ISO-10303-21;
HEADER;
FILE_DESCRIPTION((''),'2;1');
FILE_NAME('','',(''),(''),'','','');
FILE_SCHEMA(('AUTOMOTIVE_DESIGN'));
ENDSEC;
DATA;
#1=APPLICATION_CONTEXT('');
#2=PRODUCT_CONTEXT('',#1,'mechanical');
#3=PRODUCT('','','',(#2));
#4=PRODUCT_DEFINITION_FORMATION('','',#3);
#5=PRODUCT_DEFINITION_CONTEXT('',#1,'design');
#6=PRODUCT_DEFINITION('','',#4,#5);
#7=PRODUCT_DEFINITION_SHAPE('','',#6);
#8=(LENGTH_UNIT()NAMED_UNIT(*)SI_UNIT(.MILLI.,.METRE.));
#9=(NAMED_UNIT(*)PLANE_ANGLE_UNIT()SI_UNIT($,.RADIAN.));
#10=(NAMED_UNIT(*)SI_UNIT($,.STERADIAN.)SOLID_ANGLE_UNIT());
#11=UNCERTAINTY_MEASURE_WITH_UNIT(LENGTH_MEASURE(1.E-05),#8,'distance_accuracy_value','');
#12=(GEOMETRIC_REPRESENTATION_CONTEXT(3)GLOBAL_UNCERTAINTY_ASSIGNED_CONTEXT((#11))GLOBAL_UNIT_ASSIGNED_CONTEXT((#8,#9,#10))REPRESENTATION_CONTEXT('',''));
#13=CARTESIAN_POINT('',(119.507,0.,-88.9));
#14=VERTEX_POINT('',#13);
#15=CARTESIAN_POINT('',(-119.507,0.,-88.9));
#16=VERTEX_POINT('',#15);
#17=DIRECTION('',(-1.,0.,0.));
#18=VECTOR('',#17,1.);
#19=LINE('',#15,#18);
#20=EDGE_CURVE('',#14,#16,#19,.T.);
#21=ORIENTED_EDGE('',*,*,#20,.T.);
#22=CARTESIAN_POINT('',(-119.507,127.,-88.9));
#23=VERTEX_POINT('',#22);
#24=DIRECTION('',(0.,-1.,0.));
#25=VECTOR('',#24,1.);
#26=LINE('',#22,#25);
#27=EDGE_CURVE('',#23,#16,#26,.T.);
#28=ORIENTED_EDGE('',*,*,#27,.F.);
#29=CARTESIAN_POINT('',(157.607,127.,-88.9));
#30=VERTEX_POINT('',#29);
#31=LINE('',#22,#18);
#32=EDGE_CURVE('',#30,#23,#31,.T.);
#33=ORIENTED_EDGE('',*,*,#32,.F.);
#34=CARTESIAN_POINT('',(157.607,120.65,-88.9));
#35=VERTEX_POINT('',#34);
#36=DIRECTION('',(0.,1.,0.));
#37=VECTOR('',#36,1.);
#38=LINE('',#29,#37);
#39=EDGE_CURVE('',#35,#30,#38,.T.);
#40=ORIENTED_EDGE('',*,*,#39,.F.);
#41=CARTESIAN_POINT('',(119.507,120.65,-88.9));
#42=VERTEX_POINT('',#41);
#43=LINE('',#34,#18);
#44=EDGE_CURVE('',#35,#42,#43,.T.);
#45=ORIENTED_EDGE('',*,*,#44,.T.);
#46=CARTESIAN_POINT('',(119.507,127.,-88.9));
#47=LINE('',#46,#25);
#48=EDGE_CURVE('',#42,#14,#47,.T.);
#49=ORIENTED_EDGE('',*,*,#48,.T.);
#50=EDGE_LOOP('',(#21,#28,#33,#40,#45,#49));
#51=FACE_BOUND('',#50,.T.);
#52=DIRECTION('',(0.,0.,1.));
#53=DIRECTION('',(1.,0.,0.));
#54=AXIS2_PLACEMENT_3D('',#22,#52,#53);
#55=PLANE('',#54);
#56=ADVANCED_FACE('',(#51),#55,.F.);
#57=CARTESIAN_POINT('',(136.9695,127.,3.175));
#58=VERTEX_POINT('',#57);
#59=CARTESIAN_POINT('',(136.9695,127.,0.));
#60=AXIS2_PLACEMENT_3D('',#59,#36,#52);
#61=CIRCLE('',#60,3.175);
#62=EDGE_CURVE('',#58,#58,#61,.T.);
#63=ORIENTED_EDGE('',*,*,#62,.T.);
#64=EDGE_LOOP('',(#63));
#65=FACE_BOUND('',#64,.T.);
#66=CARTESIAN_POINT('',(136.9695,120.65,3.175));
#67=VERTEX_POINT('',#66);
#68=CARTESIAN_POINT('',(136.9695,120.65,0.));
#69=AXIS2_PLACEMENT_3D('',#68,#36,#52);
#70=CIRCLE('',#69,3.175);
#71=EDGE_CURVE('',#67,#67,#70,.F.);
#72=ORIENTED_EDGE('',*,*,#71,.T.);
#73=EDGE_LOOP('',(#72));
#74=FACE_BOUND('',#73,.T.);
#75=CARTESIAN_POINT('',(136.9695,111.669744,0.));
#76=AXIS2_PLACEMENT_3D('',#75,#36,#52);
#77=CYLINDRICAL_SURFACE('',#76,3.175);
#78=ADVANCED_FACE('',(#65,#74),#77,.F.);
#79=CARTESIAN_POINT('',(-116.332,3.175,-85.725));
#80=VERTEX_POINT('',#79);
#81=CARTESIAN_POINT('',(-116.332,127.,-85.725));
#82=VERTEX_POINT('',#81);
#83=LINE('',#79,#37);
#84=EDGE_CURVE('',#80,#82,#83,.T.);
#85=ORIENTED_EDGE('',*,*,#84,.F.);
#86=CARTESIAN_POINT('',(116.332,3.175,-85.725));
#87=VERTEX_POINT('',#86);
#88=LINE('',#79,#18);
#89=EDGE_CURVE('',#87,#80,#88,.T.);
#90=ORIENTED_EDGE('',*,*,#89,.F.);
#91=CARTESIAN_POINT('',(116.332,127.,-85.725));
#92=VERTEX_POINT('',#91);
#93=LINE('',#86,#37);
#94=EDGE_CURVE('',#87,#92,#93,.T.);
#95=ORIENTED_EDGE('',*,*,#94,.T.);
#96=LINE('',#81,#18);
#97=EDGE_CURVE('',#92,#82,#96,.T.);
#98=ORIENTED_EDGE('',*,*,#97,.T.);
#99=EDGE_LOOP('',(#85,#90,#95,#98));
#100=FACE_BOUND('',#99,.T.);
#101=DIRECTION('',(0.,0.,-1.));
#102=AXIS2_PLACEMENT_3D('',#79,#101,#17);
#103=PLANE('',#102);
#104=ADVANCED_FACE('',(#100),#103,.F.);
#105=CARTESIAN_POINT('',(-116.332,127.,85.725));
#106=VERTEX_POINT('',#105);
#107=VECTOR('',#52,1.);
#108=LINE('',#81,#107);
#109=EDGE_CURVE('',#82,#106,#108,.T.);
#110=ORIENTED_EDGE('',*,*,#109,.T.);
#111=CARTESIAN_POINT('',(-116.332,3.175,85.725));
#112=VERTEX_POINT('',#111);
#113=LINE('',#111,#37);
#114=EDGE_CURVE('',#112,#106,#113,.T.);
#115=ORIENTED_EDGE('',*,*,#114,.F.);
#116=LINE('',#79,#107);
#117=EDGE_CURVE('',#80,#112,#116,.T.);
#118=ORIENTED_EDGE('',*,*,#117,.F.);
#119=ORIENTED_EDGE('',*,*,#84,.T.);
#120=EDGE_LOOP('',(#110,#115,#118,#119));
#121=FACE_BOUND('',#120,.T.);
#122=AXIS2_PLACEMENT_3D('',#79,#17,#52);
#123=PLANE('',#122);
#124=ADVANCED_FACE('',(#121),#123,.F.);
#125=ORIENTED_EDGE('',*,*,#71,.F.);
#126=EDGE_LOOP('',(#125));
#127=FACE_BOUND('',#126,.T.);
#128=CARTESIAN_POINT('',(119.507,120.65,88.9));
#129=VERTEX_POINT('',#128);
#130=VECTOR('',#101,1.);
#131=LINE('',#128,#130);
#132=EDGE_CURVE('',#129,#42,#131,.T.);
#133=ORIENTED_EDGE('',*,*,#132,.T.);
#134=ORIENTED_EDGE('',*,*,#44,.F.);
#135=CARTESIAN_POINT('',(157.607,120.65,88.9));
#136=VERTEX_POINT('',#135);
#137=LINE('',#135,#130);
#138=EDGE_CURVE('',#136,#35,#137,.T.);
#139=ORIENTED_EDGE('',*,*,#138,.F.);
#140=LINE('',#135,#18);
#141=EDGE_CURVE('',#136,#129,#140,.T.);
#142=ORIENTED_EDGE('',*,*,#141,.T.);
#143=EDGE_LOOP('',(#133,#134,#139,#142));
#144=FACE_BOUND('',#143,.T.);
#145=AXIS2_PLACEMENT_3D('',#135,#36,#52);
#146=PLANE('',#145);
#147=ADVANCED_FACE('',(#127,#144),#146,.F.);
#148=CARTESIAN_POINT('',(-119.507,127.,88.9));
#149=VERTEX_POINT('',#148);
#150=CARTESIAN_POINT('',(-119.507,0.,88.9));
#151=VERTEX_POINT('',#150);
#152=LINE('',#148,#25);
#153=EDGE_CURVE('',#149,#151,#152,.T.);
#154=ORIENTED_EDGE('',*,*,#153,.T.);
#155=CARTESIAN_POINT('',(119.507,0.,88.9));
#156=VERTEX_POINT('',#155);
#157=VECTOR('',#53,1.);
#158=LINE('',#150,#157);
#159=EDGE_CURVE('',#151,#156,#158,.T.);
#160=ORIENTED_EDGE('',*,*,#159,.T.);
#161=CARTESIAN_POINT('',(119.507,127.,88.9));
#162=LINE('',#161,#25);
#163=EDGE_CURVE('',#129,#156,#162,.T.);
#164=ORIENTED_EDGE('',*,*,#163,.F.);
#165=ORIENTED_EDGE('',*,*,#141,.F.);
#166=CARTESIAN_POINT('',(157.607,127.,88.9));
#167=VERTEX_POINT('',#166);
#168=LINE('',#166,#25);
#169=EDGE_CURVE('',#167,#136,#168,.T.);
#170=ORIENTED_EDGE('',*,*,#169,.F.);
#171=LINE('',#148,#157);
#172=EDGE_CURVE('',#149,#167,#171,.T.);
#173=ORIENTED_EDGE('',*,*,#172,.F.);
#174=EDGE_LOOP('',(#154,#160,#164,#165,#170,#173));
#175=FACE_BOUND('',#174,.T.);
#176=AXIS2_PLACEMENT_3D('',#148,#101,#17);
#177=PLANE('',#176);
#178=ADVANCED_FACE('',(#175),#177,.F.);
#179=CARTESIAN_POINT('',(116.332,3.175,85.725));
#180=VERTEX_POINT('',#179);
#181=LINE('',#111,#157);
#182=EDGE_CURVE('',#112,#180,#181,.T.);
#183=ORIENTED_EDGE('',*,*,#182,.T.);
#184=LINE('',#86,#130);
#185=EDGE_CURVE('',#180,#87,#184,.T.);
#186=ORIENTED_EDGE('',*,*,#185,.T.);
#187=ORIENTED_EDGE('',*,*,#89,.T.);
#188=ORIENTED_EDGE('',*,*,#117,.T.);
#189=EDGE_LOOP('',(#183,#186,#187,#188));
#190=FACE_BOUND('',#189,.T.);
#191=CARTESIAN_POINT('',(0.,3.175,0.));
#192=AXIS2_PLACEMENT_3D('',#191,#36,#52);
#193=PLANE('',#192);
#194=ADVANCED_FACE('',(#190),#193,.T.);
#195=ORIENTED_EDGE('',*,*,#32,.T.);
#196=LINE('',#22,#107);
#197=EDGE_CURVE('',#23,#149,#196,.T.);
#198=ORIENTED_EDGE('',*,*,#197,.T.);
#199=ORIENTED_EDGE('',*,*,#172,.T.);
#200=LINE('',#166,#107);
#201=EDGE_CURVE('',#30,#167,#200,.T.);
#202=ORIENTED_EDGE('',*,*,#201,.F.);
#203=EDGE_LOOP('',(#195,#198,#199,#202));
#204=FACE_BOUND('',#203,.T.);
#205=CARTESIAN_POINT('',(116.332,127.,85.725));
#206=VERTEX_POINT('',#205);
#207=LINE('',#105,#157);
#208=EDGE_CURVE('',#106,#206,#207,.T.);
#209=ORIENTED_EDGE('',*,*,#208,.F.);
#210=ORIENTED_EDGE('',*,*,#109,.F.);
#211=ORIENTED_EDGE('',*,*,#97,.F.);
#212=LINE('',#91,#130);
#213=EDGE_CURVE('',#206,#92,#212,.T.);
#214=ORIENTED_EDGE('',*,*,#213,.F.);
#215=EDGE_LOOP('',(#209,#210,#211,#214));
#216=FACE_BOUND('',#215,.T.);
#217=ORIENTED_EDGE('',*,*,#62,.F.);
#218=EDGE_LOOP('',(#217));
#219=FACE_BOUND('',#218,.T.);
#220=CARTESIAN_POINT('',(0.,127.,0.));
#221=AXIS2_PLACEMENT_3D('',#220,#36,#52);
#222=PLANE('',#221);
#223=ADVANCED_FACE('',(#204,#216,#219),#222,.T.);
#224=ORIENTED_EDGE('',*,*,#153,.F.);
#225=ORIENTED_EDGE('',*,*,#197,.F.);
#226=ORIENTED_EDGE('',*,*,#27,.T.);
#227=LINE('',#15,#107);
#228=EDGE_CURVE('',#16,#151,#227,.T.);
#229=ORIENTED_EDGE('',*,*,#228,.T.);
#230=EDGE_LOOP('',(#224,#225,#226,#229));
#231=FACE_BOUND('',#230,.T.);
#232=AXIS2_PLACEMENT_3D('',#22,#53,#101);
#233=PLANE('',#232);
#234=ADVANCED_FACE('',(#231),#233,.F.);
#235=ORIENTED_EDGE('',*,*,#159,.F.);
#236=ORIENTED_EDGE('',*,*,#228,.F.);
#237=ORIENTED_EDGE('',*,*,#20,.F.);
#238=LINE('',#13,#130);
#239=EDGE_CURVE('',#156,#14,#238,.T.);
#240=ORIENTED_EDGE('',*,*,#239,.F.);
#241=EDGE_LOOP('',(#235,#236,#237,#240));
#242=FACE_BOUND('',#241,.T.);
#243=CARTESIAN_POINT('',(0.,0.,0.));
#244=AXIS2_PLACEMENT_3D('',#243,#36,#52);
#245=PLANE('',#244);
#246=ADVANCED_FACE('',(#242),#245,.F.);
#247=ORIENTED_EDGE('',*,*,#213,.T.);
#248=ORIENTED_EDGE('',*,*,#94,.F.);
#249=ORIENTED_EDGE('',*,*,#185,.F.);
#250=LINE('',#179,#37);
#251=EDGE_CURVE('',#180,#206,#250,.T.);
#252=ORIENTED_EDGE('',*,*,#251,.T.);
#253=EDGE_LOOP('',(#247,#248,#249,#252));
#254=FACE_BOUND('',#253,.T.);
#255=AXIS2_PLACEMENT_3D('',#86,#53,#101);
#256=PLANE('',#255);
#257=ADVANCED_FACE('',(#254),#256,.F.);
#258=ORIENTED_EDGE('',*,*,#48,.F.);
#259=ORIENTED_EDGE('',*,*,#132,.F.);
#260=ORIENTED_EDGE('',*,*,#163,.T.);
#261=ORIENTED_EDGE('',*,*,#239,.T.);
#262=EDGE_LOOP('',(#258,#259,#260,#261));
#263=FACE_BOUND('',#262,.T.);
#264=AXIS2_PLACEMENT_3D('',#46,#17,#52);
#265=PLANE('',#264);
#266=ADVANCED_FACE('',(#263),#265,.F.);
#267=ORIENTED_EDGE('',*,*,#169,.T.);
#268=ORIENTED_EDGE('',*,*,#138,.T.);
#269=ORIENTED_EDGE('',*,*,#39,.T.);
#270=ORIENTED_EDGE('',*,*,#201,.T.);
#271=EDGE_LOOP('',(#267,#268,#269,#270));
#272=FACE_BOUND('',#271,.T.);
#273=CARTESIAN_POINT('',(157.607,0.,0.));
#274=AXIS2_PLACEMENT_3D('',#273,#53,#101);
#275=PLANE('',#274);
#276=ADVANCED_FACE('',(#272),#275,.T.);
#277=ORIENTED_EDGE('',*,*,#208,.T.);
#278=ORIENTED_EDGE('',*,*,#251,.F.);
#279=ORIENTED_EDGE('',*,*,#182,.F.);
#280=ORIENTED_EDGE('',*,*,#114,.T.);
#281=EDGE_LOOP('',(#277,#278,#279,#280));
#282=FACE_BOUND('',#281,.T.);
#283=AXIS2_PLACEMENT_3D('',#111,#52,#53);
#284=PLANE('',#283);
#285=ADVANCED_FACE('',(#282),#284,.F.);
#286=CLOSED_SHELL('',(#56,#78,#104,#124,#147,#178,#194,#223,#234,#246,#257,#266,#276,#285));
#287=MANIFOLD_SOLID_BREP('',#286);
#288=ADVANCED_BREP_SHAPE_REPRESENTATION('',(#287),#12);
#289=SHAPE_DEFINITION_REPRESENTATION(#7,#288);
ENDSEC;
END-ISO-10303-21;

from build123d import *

# Parameters (mm, degrees)
SKETCH1_W           = 239.014
SKETCH1_H           = 177.8
BOSS_EXTRUDE1_DEPTH = 127
SKETCH2_W           = 232.664
SKETCH2_H           = 171.45
CUT_EXTRUDE1_DEPTH  = 123.825
SKETCH3_W           = 177.8
SKETCH3_H           = 6.35
BOSS_EXTRUDE2_DEPTH = 38.1
SKETCH5_R           = 3.175
CUT_EXTRUDE2_DEPTH  = 6.35


with BuildPart() as part:
    # Sketch1 → Boss-Extrude1 (new body)
    with BuildSketch(Plane(origin=(0, 0, 0), x_dir=(1, 0, 0), z_dir=(0, 1, 0))):
        Rectangle(SKETCH1_W, SKETCH1_H)
    extrude(amount=BOSS_EXTRUDE1_DEPTH)

    # Sketch2 → Cut-Extrude1 (cut)
    with BuildSketch(Plane(origin=(0, 127, 0), x_dir=(1, 0, 0), z_dir=(0, 1, 0))):
        Rectangle(SKETCH2_W, SKETCH2_H)
    extrude(amount=-CUT_EXTRUDE1_DEPTH, mode=Mode.SUBTRACT)

    # Sketch3 → Boss-Extrude2 (add)
    with BuildSketch(Plane(origin=(119.507, 0, 0), x_dir=(0, 0, -1), z_dir=(1, 0, 0))):
        with Locations((0, 123.825)):
            Rectangle(SKETCH3_W, SKETCH3_H)
    extrude(amount=BOSS_EXTRUDE2_DEPTH)

    # Sketch5 → Cut-Extrude2 (cut)
    with BuildSketch(Plane(origin=(0, 127, 0), x_dir=(1, 0, 0), z_dir=(0, 1, 0))):
        with Locations(Location((136.9695, 0, 0), (0, 0, 270))):
            Circle(SKETCH5_R)
    extrude(amount=-CUT_EXTRUDE2_DEPTH, mode=Mode.SUBTRACT)


solid = part.part
